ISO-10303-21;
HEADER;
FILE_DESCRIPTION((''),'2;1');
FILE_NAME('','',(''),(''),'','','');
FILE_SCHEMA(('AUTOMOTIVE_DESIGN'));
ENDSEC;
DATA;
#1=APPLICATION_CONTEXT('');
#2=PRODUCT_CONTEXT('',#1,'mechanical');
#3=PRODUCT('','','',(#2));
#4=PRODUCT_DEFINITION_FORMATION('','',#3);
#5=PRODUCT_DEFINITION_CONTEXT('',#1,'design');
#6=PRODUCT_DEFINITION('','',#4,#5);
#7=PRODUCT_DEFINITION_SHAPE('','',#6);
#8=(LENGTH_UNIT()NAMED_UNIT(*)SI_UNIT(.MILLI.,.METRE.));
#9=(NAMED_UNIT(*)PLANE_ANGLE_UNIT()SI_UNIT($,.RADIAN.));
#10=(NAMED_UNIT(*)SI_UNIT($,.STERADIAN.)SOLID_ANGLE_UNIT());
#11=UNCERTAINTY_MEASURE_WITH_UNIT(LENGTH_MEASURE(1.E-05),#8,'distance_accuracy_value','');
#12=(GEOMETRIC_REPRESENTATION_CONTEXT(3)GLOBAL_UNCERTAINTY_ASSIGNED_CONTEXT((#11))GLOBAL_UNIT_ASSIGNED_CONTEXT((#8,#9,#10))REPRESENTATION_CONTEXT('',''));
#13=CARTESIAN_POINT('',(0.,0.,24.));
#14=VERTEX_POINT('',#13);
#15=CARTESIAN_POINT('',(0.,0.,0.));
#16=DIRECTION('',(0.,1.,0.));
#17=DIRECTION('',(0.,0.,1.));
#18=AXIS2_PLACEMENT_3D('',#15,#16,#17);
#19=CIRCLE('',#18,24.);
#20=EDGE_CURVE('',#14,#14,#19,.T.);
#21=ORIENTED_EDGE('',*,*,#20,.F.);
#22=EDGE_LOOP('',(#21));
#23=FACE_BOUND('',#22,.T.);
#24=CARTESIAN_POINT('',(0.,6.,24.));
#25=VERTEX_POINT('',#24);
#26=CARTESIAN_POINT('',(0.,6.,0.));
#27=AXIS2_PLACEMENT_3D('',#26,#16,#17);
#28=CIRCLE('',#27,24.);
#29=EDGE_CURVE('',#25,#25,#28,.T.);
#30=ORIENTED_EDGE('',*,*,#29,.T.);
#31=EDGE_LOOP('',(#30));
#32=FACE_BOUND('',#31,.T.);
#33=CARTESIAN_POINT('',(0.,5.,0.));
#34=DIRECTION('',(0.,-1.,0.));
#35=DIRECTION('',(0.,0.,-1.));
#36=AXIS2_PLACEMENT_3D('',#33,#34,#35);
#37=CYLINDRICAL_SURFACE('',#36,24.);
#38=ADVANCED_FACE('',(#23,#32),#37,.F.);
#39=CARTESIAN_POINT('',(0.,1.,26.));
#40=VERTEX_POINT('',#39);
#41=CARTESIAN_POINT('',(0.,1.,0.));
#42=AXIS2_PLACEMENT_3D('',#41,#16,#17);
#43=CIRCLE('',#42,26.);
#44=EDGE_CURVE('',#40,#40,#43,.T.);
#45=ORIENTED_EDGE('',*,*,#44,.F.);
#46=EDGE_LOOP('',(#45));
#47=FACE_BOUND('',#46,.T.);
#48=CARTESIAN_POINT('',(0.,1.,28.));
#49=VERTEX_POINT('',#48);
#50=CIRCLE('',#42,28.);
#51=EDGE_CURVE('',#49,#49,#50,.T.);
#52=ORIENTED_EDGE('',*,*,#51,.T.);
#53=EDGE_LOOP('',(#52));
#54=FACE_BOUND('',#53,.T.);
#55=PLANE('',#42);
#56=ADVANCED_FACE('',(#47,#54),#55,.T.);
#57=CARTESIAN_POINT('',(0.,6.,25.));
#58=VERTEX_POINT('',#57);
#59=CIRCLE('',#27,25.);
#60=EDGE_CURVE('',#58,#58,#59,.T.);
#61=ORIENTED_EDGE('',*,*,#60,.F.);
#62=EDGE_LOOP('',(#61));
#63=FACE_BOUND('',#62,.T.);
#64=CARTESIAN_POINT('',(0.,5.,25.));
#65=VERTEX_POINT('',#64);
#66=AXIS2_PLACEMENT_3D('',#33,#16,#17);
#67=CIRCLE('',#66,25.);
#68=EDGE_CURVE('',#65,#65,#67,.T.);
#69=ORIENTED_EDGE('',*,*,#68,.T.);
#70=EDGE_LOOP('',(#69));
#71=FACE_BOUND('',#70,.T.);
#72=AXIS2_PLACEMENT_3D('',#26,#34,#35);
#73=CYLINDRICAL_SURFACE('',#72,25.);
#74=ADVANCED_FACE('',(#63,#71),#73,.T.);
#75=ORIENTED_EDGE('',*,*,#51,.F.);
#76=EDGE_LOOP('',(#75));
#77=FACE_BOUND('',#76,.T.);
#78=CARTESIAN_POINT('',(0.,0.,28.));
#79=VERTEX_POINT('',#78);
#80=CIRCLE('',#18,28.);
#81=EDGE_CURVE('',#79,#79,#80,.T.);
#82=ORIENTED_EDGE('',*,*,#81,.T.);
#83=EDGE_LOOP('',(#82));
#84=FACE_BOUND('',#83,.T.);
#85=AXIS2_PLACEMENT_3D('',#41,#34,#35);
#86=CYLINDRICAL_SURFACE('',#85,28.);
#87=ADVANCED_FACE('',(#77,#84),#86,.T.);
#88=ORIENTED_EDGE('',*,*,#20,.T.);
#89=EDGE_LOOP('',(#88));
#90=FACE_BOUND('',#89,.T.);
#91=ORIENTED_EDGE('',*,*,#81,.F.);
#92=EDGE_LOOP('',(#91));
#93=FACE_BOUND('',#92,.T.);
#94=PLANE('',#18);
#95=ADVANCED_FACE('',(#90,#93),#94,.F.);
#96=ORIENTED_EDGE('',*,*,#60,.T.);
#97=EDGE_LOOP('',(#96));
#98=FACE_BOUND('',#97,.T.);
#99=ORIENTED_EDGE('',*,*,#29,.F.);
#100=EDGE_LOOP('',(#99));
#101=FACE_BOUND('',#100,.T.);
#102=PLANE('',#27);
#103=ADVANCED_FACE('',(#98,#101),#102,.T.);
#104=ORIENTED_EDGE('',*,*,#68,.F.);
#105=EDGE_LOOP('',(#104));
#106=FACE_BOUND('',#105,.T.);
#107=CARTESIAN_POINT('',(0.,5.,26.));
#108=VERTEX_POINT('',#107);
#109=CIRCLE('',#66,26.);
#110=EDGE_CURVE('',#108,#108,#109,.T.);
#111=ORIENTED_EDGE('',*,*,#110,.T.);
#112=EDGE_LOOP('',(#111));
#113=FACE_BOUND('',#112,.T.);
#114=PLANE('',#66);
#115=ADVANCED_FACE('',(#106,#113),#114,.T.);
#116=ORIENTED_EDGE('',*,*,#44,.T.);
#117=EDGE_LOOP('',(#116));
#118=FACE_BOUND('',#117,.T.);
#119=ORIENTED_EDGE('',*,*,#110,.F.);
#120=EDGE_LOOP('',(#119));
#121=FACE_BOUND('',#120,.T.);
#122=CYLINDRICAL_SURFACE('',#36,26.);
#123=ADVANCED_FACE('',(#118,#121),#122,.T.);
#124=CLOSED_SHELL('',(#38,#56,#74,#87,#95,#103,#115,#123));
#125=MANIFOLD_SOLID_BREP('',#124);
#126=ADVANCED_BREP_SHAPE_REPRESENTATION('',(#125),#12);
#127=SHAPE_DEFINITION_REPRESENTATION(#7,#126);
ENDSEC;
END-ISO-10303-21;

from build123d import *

# Parameters (mm, degrees)
ESQUISSE1_R             = 28
BOSS_EXTRU_2_DEPTH      = 1
ESQUISSE2_R             = 26
ESQUISSE2_R_2           = 24
BOSS_EXTRU_5_DEPTH      = 4
ESQUISSE6_R             = 25
BOSS_EXTRU_6_DEPTH      = 1
ESQUISSE7_R             = 24
ENL_V_MAT_EXTRU_2_DEPTH = 41.049968789


with BuildPart() as part:
    # Esquisse1 → Boss.-Extru.2 (new body)
    with BuildSketch(Plane(origin=(0, 0, 0), x_dir=(1, 0, 0), z_dir=(0, 1, 0))):
        with Locations(Location((0, 0, 0), (0, 0, 270))):
            Circle(ESQUISSE1_R)
    extrude(amount=BOSS_EXTRU_2_DEPTH)

    # Esquisse2 → Boss.-Extru.5 (add)
    with BuildSketch(Plane(origin=(0, 1, 0), x_dir=(1, 0, 0), z_dir=(0, 1, 0))):
        with Locations(Location((0, 0, 0), (0, 0, 270))):
            Circle(ESQUISSE2_R)
        with Locations(Location((0, 0, 0), (0, 0, 270))):
            Circle(ESQUISSE2_R_2, mode=Mode.SUBTRACT)
    extrude(amount=BOSS_EXTRU_5_DEPTH)

    # Esquisse6 → Boss.-Extru.6 (add)
    with BuildSketch(Plane(origin=(0, 5, 0), x_dir=(1, 0, 0), z_dir=(0, 1, 0))):
        with Locations(Location((0, 0, 0), (0, 0, 270))):
            Circle(ESQUISSE6_R)
    extrude(amount=BOSS_EXTRU_6_DEPTH)

    # Esquisse7 → Enlèv. mat.-Extru.2 (cut, through all)
    with BuildSketch(Plane(origin=(0, 6, 0), x_dir=(1, 0, 0), z_dir=(0, 1, 0))):
        with Locations(Location((0, 0, 0), (0, 0, 270))):
            Circle(ESQUISSE7_R)
    extrude(amount=-ENL_V_MAT_EXTRU_2_DEPTH, mode=Mode.SUBTRACT)


solid = part.part
